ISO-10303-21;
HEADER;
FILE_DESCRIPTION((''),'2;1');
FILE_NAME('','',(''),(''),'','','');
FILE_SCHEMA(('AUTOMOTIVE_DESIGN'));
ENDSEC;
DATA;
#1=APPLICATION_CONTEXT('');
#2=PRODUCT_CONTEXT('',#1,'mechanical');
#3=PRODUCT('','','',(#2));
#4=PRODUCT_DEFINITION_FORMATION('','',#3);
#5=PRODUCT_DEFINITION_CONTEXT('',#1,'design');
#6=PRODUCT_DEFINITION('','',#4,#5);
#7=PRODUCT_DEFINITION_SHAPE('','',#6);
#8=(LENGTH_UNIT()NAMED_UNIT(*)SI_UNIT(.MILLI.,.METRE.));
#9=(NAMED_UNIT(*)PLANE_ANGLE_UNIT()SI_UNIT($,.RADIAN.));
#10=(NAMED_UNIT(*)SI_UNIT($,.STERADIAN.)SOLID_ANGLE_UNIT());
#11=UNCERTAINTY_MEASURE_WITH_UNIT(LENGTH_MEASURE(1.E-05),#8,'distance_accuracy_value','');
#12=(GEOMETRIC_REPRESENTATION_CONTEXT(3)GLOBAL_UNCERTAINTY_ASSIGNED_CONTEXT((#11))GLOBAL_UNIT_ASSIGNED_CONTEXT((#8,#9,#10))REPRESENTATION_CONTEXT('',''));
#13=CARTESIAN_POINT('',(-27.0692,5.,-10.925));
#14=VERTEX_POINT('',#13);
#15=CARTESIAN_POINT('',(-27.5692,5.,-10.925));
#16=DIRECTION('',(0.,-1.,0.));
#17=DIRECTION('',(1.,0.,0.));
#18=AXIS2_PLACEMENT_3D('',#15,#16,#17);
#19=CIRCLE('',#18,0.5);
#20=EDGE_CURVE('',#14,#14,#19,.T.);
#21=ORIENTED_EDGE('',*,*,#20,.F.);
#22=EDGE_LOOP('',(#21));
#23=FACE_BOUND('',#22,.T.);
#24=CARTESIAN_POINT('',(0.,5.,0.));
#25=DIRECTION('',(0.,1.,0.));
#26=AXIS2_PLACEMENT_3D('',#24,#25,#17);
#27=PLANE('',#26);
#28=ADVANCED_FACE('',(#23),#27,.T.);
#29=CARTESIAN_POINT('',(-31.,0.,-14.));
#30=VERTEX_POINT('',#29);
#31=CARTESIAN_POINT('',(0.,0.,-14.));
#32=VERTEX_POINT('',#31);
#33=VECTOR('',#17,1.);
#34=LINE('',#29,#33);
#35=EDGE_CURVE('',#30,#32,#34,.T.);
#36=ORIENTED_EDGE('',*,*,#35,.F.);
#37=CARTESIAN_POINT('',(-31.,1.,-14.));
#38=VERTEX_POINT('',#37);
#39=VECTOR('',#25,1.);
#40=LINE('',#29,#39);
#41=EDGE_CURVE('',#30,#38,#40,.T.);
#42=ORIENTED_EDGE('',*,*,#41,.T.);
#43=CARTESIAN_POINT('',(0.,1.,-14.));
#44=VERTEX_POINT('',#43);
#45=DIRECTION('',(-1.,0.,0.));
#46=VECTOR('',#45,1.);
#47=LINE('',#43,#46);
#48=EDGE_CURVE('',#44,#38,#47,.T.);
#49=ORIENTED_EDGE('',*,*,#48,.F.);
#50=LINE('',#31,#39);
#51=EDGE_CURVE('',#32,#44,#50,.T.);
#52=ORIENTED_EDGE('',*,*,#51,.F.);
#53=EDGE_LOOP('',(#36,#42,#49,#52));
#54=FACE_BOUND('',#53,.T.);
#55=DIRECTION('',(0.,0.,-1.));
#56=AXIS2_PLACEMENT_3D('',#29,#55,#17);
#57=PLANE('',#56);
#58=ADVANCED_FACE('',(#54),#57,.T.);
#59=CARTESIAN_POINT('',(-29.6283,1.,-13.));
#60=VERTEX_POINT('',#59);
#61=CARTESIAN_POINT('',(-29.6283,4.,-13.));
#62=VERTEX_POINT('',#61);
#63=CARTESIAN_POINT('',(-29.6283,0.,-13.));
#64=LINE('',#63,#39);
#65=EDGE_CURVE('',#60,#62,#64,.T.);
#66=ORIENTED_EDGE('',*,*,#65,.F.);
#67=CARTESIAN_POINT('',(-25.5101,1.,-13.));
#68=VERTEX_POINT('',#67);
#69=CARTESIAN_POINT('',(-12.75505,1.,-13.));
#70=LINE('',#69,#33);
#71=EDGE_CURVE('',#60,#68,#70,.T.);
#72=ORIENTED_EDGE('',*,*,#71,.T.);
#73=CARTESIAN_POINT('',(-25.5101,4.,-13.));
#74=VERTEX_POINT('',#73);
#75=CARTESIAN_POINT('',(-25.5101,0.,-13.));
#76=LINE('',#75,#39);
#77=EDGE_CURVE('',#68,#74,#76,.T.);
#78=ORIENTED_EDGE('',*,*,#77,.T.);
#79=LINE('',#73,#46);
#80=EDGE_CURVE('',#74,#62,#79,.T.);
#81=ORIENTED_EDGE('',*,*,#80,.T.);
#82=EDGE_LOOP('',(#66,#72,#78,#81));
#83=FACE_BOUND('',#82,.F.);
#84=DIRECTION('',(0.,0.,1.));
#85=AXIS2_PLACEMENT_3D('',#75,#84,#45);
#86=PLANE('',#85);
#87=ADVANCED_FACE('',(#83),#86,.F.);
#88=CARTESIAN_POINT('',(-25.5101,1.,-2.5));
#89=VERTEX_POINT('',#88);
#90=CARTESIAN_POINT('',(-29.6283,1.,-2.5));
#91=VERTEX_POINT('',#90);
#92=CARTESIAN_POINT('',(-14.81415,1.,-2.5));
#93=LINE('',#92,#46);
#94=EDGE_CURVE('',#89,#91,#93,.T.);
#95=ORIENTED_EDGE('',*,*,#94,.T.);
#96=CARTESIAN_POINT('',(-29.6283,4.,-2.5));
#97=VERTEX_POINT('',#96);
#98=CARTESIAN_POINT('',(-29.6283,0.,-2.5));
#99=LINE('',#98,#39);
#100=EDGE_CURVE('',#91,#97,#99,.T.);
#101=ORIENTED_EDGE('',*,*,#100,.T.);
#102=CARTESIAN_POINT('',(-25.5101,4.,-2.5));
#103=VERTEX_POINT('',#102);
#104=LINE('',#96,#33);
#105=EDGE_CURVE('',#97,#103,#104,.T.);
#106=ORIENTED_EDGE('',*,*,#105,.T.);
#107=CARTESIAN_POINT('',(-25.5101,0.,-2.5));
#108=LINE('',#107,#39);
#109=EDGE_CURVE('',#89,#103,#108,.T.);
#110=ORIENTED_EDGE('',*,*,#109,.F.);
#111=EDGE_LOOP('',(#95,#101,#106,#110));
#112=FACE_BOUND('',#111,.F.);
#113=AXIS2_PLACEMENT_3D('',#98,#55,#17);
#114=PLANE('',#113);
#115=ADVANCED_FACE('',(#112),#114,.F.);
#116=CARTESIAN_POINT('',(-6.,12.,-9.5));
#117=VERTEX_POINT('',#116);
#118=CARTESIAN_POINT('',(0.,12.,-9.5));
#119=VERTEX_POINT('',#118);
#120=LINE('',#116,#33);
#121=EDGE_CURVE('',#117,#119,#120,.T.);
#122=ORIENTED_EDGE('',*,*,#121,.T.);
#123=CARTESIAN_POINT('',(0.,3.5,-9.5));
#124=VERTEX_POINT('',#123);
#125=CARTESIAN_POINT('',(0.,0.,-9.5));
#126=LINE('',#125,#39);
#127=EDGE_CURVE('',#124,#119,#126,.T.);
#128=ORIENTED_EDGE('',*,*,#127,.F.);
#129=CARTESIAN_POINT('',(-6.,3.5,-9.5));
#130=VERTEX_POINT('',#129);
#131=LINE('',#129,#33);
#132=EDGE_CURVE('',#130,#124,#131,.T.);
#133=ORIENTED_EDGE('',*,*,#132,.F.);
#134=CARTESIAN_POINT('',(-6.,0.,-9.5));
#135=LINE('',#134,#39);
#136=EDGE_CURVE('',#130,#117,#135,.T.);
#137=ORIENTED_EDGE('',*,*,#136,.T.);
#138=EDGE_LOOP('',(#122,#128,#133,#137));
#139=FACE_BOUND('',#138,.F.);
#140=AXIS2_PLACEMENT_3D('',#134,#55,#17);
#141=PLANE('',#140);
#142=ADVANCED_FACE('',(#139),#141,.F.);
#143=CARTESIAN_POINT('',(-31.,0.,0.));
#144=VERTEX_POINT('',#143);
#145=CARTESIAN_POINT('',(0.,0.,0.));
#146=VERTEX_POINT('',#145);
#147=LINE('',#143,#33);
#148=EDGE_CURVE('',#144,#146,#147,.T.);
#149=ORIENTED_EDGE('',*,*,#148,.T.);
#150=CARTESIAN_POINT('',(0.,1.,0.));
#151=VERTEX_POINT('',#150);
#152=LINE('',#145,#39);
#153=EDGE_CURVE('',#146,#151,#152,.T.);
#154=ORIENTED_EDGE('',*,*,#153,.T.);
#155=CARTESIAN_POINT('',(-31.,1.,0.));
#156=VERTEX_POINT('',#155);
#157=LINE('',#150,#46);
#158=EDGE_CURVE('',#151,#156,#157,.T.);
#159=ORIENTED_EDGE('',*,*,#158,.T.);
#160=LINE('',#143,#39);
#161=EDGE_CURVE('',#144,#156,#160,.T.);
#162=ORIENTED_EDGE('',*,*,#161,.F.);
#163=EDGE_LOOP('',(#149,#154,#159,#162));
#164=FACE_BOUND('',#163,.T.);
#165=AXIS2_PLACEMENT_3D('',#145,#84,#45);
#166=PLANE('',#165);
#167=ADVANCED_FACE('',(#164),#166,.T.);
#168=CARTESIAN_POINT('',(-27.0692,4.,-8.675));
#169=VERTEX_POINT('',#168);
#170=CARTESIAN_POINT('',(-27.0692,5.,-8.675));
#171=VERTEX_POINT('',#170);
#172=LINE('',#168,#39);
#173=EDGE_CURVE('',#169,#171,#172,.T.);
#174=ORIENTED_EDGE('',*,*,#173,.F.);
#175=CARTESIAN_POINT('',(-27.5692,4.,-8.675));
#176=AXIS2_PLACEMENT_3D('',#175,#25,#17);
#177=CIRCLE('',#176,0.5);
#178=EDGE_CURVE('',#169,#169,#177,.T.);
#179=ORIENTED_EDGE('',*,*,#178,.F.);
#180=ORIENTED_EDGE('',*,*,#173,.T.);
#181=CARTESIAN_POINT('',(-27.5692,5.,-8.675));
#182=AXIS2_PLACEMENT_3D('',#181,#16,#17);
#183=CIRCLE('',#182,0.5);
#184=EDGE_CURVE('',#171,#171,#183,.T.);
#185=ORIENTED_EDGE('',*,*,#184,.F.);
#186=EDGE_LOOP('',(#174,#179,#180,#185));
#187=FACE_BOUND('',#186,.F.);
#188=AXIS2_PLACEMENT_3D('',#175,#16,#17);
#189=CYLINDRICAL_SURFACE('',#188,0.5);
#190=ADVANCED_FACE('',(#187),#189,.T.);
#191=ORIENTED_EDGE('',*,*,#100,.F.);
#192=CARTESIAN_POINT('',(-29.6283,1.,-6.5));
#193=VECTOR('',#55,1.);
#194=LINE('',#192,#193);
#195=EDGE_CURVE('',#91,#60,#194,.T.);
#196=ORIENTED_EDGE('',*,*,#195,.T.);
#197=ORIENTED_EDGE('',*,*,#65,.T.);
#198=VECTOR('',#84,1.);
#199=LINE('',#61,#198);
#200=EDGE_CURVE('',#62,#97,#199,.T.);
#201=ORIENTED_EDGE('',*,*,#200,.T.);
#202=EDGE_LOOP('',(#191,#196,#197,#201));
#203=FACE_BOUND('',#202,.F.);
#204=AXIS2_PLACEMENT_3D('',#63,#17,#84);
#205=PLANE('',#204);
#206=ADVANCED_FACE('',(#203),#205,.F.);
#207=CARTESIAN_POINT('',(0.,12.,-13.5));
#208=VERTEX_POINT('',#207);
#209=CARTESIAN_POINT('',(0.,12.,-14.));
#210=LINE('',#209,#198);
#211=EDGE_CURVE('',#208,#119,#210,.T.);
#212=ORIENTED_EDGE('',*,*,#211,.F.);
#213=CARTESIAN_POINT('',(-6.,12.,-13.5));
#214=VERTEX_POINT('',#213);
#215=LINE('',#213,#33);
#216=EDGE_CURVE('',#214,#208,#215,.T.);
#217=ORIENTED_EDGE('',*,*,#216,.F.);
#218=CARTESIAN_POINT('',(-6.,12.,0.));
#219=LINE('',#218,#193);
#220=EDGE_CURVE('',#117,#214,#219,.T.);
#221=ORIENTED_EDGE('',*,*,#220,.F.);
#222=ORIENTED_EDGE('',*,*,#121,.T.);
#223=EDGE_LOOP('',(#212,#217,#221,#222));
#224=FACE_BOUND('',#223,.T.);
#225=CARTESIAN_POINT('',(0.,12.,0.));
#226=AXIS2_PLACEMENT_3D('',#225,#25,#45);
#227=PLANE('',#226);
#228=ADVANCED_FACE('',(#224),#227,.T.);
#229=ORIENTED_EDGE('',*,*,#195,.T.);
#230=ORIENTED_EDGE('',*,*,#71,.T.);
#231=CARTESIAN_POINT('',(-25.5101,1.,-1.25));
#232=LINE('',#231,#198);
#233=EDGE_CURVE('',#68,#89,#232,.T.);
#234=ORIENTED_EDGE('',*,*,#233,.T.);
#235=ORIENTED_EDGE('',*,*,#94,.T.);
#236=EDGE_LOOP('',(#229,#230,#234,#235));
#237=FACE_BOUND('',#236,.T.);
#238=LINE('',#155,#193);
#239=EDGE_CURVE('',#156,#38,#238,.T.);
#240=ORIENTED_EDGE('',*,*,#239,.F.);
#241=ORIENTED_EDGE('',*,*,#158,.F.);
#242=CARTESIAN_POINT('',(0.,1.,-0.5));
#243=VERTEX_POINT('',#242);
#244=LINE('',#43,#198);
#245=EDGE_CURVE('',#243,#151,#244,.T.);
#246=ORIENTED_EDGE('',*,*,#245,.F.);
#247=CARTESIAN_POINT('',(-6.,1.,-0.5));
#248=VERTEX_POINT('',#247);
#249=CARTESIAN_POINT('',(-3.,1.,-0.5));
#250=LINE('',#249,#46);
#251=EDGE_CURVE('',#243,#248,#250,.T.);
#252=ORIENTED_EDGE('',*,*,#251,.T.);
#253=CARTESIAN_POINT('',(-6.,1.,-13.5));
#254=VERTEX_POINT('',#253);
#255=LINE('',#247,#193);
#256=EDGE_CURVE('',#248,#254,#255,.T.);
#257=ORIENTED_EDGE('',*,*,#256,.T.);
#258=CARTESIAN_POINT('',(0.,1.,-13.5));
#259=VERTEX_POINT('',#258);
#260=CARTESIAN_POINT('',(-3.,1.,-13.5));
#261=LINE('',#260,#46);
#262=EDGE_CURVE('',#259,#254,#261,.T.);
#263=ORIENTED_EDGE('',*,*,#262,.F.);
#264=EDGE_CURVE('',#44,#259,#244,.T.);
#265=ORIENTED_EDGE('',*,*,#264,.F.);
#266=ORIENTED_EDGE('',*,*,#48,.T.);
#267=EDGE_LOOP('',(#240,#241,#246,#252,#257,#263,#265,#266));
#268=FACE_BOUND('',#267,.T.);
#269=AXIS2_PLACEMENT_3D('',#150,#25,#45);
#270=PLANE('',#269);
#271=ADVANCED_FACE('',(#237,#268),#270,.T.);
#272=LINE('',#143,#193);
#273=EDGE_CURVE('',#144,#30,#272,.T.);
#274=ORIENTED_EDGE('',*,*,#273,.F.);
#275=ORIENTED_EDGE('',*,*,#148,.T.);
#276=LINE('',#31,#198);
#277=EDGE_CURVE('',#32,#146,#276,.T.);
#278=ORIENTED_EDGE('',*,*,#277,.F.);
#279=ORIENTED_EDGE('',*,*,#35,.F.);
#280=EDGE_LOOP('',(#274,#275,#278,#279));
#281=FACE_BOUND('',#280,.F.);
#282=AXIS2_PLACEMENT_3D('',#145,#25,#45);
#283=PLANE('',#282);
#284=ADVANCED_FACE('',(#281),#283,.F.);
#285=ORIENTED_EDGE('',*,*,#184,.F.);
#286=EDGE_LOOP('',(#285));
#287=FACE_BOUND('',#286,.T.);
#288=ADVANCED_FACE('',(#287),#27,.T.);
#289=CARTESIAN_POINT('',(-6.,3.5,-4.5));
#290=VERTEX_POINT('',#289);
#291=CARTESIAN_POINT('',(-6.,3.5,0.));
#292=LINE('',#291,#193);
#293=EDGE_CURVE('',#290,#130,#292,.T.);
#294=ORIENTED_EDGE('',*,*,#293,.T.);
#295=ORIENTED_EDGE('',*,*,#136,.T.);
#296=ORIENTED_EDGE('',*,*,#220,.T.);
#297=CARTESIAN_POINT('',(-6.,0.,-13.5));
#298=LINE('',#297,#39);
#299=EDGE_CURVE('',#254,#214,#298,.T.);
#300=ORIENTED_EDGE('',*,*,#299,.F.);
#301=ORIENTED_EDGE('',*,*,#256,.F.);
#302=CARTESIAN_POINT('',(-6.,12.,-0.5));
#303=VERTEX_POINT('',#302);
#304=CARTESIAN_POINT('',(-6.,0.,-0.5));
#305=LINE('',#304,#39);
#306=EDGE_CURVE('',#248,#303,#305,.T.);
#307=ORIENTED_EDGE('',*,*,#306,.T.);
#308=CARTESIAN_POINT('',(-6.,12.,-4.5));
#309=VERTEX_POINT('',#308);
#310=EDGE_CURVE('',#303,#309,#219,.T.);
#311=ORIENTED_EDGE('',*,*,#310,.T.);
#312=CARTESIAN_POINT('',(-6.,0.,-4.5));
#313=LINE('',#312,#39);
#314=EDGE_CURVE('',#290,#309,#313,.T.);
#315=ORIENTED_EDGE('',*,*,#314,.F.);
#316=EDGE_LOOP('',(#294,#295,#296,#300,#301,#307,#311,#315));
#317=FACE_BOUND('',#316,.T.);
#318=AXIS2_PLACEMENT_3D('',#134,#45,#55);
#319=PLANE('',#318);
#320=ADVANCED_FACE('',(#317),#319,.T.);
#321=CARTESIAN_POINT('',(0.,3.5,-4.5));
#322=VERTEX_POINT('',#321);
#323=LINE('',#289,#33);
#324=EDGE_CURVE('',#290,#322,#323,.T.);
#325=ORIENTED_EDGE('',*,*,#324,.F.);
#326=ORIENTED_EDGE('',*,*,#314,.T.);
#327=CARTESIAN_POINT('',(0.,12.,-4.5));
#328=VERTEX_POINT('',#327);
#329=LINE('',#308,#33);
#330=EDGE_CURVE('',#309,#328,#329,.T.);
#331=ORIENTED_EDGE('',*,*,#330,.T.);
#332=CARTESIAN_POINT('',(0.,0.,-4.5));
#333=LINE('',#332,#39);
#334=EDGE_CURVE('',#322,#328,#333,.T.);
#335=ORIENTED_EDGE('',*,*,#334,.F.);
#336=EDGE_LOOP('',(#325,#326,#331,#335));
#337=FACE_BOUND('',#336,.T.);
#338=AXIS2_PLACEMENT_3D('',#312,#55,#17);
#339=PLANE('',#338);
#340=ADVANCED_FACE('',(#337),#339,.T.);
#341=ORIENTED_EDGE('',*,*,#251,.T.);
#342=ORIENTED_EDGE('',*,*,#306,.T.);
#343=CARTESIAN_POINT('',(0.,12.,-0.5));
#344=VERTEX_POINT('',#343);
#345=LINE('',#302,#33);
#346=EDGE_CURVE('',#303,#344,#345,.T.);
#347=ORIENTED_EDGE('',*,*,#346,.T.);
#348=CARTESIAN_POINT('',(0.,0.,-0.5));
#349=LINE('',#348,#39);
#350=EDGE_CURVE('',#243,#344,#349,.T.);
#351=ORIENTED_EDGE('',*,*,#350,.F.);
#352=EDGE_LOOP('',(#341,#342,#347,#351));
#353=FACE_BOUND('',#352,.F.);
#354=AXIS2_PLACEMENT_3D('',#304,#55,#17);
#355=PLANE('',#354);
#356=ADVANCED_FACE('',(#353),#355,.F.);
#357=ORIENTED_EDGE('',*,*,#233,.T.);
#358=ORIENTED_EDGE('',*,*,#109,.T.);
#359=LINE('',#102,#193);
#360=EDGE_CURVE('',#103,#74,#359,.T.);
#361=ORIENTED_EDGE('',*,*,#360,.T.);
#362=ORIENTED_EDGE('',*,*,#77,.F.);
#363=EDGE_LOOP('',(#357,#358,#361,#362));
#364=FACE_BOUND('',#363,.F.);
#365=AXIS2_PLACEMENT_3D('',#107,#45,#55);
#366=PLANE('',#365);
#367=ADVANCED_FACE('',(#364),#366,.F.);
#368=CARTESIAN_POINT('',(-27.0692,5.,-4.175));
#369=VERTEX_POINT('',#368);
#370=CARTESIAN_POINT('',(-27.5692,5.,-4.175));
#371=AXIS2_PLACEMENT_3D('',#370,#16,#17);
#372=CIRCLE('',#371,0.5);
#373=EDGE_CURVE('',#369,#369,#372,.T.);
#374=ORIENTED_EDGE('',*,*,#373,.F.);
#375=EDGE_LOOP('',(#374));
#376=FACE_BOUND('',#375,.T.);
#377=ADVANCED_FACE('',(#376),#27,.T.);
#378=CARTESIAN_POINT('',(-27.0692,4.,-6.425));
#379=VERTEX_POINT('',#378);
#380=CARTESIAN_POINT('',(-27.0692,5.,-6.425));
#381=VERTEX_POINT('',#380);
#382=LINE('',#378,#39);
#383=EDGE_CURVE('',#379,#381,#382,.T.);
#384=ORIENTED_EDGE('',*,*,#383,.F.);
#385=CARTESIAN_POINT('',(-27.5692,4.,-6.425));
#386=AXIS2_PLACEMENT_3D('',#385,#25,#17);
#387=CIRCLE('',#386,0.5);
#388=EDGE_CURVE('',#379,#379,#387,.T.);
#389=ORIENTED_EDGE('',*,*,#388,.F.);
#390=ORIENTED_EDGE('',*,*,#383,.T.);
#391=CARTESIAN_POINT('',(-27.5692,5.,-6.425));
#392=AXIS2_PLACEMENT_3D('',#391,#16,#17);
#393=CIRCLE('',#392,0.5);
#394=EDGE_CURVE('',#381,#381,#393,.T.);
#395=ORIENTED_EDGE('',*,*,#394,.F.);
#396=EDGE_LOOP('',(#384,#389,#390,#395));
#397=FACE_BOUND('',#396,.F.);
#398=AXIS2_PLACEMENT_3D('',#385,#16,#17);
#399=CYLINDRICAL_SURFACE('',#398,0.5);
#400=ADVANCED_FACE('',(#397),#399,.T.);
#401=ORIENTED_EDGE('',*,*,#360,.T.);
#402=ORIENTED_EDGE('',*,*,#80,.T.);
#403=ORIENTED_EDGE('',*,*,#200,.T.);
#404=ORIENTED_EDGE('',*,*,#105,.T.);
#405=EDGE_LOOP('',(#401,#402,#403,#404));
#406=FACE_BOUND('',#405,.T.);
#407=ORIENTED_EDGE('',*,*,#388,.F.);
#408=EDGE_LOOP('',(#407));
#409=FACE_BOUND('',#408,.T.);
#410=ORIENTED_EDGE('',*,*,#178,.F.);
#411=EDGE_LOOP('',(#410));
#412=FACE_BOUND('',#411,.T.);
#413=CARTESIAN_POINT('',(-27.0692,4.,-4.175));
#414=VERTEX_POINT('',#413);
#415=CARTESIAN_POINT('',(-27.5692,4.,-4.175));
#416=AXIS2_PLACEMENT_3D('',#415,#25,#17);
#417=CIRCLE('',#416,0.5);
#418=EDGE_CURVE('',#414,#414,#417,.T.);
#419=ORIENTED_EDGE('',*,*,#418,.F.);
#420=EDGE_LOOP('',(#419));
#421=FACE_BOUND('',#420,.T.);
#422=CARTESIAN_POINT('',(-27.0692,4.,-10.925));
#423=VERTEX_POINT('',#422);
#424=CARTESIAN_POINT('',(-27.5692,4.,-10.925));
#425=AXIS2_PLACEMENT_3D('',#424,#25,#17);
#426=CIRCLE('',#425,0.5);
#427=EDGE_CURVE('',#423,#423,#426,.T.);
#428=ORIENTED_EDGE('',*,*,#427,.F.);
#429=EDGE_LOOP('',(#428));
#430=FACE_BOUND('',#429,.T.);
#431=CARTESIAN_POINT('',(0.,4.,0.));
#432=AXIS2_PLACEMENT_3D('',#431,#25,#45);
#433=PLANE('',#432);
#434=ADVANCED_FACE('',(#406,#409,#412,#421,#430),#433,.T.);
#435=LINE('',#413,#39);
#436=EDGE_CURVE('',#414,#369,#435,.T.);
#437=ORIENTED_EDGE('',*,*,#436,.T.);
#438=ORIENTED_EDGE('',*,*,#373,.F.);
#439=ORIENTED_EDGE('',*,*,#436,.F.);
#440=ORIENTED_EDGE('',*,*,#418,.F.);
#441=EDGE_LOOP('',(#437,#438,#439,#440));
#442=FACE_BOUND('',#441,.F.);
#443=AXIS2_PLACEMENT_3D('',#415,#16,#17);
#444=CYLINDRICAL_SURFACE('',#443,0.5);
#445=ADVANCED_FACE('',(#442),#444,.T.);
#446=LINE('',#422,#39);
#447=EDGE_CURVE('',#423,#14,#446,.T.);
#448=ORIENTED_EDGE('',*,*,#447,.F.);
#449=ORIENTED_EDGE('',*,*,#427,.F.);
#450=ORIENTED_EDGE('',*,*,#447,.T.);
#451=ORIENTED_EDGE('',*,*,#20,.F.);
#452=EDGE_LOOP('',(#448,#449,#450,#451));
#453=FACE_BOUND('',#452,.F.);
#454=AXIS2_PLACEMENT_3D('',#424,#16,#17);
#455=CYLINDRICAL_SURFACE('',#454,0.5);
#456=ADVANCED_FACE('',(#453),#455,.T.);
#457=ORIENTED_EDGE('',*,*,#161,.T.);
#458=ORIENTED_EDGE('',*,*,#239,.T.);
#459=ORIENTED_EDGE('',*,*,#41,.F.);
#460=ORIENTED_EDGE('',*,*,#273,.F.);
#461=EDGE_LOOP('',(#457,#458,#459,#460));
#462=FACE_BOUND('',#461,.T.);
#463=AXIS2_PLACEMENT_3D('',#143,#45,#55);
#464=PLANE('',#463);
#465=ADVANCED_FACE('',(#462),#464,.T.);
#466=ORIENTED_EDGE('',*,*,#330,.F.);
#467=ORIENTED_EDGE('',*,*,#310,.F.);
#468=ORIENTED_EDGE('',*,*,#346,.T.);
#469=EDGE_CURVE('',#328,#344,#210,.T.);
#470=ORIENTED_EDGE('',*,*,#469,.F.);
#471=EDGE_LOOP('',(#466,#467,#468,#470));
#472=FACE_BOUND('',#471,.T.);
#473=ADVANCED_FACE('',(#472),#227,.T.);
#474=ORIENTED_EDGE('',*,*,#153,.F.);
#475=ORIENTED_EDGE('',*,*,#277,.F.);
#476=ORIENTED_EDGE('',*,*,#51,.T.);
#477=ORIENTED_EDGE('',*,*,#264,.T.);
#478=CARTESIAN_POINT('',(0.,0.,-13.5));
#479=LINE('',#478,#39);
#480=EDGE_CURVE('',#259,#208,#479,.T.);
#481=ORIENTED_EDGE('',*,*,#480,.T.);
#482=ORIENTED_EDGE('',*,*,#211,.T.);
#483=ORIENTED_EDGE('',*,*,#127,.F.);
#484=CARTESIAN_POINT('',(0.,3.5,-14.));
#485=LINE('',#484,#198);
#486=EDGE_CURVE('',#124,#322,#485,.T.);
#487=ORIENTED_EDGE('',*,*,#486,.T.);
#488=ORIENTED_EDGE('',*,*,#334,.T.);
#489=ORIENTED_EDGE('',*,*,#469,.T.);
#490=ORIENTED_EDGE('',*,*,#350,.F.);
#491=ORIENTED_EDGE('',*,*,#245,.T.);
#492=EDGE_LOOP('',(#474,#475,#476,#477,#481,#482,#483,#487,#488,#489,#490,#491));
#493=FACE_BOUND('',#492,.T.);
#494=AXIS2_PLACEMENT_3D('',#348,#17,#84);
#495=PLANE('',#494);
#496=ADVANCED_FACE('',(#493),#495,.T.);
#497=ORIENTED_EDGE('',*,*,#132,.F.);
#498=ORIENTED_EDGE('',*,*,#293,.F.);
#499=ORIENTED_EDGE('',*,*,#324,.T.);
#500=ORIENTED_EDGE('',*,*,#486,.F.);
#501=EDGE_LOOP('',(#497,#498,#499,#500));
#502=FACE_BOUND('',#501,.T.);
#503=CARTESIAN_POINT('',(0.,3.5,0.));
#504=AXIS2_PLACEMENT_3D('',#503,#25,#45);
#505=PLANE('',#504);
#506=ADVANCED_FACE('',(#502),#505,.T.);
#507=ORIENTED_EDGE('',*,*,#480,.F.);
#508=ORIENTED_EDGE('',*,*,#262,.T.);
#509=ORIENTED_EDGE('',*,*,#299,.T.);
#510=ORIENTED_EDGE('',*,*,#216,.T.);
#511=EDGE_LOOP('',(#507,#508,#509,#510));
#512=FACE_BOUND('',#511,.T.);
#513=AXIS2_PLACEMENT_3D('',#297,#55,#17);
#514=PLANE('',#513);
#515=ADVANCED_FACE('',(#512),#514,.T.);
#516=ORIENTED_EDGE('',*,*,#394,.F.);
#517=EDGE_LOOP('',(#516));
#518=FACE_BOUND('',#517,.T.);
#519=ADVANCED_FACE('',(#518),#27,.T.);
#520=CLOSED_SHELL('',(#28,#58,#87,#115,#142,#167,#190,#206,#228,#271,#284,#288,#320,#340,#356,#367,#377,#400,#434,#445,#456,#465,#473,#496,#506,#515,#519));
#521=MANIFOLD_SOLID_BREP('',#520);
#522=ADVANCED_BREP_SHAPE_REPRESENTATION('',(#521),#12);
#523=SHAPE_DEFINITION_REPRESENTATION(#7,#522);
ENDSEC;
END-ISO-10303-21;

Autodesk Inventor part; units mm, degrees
ref_plane "YZ Plane" through (0, 0, 0) normal (1, 0, 0) x (0, 1, 0)
ref_plane "XZ Plane" through (0, 0, 0) normal (0, 1, 0) x (-1, 0, 0)
ref_plane "XY Plane" through (0, 0, 0) normal (0, 0, 1) x (1, 0, 0)
sketch "草圖1" plane through (0, 0, 0) normal (0, 1, 0) x (-1, 0, 0)
  line L0 (0, 0) -> (31, 0)
  line L1 (31, 0) -> (31, -14)
  line L2 (31, -14) -> (0, -14)
  line L3 (0, -14) -> (0, 0)
  line L4 (6, 0) -> (6, -14)
  line L5 (6, -0.5) -> (0, -0.5)
  line L6 (6, -4.5) -> (0, -4.5)
  line L7 (6, -13.5) -> (0, -13.5)
  line L8 (6, -9.5) -> (0, -9.5)
  line L9 (29.6283, -2.5) -> (25.5101, -2.5)
  line L10 (25.5101, -2.5) -> (25.5101, -13)
  line L11 (25.5101, -13) -> (29.6283, -13)
  line L12 (29.6283, -13) -> (29.6283, -2.5)
  dimension "d0" = 31
  dimension "d1" = 14
  dimension "d2" = 6
  dimension "d3" = 0.5
  dimension "d4" = 4
  dimension "d5" = 4
  dimension "d6" = 0.5
  dimension "d7" = 1
  dimension "d8" = 2.5
extrude "擠出1" add sketch "草圖1" along normal blind 1 contours L0 L4 L5 L3 | L0 L1 L2 L4 | L5 L4 L6 L3 | L6 L4 L8 L3 | L8 L4 L7 L3 | L2 L3 L7 L4 | L12 L11 L10 L9
extrude "擠出2" add sketch "草圖1" along normal blind 12 contours L5 L4 L6 L3 | L8 L4 L7 L3
extrude "擠出3" add sketch "草圖1" along normal blind 4 contours L12 L11 L10 L9
sketch "草圖2" plane through (0, 4, 0) normal (0, 1, 0) x (1, 0, 0)
  circle A0 centre (-27.5692, 4.175) radius 0.5
  line L0 (-29.6283, 2.5) -> (-25.5101, 2.5) projected
  line L1 (-27.5692, 4.175) -> (-27.5692, 13)
  line L2 (-29.6283, 13) -> (-25.5101, 13) projected
  circle A1 centre (-27.5692, 6.425) radius 0.5
  circle A2 centre (-27.5692, 8.675) radius 0.5
  circle A3 centre (-27.5692, 10.925) radius 0.5
  point P0 (0, 0)
  point P1 (-27.5692, 2.5)
  dimension "d15" = 1
  dimension "d16" = 1.675
  dimension "d19" = 2.25
extrude "擠出4" add sketch "草圖2" along normal blind 1
extrude "擠出5" add sketch "草圖1" along normal blind 3.5 contours L6 L4 L8 L3
properties part number "LM393" material "MDF Medium Density Fiberboard"
